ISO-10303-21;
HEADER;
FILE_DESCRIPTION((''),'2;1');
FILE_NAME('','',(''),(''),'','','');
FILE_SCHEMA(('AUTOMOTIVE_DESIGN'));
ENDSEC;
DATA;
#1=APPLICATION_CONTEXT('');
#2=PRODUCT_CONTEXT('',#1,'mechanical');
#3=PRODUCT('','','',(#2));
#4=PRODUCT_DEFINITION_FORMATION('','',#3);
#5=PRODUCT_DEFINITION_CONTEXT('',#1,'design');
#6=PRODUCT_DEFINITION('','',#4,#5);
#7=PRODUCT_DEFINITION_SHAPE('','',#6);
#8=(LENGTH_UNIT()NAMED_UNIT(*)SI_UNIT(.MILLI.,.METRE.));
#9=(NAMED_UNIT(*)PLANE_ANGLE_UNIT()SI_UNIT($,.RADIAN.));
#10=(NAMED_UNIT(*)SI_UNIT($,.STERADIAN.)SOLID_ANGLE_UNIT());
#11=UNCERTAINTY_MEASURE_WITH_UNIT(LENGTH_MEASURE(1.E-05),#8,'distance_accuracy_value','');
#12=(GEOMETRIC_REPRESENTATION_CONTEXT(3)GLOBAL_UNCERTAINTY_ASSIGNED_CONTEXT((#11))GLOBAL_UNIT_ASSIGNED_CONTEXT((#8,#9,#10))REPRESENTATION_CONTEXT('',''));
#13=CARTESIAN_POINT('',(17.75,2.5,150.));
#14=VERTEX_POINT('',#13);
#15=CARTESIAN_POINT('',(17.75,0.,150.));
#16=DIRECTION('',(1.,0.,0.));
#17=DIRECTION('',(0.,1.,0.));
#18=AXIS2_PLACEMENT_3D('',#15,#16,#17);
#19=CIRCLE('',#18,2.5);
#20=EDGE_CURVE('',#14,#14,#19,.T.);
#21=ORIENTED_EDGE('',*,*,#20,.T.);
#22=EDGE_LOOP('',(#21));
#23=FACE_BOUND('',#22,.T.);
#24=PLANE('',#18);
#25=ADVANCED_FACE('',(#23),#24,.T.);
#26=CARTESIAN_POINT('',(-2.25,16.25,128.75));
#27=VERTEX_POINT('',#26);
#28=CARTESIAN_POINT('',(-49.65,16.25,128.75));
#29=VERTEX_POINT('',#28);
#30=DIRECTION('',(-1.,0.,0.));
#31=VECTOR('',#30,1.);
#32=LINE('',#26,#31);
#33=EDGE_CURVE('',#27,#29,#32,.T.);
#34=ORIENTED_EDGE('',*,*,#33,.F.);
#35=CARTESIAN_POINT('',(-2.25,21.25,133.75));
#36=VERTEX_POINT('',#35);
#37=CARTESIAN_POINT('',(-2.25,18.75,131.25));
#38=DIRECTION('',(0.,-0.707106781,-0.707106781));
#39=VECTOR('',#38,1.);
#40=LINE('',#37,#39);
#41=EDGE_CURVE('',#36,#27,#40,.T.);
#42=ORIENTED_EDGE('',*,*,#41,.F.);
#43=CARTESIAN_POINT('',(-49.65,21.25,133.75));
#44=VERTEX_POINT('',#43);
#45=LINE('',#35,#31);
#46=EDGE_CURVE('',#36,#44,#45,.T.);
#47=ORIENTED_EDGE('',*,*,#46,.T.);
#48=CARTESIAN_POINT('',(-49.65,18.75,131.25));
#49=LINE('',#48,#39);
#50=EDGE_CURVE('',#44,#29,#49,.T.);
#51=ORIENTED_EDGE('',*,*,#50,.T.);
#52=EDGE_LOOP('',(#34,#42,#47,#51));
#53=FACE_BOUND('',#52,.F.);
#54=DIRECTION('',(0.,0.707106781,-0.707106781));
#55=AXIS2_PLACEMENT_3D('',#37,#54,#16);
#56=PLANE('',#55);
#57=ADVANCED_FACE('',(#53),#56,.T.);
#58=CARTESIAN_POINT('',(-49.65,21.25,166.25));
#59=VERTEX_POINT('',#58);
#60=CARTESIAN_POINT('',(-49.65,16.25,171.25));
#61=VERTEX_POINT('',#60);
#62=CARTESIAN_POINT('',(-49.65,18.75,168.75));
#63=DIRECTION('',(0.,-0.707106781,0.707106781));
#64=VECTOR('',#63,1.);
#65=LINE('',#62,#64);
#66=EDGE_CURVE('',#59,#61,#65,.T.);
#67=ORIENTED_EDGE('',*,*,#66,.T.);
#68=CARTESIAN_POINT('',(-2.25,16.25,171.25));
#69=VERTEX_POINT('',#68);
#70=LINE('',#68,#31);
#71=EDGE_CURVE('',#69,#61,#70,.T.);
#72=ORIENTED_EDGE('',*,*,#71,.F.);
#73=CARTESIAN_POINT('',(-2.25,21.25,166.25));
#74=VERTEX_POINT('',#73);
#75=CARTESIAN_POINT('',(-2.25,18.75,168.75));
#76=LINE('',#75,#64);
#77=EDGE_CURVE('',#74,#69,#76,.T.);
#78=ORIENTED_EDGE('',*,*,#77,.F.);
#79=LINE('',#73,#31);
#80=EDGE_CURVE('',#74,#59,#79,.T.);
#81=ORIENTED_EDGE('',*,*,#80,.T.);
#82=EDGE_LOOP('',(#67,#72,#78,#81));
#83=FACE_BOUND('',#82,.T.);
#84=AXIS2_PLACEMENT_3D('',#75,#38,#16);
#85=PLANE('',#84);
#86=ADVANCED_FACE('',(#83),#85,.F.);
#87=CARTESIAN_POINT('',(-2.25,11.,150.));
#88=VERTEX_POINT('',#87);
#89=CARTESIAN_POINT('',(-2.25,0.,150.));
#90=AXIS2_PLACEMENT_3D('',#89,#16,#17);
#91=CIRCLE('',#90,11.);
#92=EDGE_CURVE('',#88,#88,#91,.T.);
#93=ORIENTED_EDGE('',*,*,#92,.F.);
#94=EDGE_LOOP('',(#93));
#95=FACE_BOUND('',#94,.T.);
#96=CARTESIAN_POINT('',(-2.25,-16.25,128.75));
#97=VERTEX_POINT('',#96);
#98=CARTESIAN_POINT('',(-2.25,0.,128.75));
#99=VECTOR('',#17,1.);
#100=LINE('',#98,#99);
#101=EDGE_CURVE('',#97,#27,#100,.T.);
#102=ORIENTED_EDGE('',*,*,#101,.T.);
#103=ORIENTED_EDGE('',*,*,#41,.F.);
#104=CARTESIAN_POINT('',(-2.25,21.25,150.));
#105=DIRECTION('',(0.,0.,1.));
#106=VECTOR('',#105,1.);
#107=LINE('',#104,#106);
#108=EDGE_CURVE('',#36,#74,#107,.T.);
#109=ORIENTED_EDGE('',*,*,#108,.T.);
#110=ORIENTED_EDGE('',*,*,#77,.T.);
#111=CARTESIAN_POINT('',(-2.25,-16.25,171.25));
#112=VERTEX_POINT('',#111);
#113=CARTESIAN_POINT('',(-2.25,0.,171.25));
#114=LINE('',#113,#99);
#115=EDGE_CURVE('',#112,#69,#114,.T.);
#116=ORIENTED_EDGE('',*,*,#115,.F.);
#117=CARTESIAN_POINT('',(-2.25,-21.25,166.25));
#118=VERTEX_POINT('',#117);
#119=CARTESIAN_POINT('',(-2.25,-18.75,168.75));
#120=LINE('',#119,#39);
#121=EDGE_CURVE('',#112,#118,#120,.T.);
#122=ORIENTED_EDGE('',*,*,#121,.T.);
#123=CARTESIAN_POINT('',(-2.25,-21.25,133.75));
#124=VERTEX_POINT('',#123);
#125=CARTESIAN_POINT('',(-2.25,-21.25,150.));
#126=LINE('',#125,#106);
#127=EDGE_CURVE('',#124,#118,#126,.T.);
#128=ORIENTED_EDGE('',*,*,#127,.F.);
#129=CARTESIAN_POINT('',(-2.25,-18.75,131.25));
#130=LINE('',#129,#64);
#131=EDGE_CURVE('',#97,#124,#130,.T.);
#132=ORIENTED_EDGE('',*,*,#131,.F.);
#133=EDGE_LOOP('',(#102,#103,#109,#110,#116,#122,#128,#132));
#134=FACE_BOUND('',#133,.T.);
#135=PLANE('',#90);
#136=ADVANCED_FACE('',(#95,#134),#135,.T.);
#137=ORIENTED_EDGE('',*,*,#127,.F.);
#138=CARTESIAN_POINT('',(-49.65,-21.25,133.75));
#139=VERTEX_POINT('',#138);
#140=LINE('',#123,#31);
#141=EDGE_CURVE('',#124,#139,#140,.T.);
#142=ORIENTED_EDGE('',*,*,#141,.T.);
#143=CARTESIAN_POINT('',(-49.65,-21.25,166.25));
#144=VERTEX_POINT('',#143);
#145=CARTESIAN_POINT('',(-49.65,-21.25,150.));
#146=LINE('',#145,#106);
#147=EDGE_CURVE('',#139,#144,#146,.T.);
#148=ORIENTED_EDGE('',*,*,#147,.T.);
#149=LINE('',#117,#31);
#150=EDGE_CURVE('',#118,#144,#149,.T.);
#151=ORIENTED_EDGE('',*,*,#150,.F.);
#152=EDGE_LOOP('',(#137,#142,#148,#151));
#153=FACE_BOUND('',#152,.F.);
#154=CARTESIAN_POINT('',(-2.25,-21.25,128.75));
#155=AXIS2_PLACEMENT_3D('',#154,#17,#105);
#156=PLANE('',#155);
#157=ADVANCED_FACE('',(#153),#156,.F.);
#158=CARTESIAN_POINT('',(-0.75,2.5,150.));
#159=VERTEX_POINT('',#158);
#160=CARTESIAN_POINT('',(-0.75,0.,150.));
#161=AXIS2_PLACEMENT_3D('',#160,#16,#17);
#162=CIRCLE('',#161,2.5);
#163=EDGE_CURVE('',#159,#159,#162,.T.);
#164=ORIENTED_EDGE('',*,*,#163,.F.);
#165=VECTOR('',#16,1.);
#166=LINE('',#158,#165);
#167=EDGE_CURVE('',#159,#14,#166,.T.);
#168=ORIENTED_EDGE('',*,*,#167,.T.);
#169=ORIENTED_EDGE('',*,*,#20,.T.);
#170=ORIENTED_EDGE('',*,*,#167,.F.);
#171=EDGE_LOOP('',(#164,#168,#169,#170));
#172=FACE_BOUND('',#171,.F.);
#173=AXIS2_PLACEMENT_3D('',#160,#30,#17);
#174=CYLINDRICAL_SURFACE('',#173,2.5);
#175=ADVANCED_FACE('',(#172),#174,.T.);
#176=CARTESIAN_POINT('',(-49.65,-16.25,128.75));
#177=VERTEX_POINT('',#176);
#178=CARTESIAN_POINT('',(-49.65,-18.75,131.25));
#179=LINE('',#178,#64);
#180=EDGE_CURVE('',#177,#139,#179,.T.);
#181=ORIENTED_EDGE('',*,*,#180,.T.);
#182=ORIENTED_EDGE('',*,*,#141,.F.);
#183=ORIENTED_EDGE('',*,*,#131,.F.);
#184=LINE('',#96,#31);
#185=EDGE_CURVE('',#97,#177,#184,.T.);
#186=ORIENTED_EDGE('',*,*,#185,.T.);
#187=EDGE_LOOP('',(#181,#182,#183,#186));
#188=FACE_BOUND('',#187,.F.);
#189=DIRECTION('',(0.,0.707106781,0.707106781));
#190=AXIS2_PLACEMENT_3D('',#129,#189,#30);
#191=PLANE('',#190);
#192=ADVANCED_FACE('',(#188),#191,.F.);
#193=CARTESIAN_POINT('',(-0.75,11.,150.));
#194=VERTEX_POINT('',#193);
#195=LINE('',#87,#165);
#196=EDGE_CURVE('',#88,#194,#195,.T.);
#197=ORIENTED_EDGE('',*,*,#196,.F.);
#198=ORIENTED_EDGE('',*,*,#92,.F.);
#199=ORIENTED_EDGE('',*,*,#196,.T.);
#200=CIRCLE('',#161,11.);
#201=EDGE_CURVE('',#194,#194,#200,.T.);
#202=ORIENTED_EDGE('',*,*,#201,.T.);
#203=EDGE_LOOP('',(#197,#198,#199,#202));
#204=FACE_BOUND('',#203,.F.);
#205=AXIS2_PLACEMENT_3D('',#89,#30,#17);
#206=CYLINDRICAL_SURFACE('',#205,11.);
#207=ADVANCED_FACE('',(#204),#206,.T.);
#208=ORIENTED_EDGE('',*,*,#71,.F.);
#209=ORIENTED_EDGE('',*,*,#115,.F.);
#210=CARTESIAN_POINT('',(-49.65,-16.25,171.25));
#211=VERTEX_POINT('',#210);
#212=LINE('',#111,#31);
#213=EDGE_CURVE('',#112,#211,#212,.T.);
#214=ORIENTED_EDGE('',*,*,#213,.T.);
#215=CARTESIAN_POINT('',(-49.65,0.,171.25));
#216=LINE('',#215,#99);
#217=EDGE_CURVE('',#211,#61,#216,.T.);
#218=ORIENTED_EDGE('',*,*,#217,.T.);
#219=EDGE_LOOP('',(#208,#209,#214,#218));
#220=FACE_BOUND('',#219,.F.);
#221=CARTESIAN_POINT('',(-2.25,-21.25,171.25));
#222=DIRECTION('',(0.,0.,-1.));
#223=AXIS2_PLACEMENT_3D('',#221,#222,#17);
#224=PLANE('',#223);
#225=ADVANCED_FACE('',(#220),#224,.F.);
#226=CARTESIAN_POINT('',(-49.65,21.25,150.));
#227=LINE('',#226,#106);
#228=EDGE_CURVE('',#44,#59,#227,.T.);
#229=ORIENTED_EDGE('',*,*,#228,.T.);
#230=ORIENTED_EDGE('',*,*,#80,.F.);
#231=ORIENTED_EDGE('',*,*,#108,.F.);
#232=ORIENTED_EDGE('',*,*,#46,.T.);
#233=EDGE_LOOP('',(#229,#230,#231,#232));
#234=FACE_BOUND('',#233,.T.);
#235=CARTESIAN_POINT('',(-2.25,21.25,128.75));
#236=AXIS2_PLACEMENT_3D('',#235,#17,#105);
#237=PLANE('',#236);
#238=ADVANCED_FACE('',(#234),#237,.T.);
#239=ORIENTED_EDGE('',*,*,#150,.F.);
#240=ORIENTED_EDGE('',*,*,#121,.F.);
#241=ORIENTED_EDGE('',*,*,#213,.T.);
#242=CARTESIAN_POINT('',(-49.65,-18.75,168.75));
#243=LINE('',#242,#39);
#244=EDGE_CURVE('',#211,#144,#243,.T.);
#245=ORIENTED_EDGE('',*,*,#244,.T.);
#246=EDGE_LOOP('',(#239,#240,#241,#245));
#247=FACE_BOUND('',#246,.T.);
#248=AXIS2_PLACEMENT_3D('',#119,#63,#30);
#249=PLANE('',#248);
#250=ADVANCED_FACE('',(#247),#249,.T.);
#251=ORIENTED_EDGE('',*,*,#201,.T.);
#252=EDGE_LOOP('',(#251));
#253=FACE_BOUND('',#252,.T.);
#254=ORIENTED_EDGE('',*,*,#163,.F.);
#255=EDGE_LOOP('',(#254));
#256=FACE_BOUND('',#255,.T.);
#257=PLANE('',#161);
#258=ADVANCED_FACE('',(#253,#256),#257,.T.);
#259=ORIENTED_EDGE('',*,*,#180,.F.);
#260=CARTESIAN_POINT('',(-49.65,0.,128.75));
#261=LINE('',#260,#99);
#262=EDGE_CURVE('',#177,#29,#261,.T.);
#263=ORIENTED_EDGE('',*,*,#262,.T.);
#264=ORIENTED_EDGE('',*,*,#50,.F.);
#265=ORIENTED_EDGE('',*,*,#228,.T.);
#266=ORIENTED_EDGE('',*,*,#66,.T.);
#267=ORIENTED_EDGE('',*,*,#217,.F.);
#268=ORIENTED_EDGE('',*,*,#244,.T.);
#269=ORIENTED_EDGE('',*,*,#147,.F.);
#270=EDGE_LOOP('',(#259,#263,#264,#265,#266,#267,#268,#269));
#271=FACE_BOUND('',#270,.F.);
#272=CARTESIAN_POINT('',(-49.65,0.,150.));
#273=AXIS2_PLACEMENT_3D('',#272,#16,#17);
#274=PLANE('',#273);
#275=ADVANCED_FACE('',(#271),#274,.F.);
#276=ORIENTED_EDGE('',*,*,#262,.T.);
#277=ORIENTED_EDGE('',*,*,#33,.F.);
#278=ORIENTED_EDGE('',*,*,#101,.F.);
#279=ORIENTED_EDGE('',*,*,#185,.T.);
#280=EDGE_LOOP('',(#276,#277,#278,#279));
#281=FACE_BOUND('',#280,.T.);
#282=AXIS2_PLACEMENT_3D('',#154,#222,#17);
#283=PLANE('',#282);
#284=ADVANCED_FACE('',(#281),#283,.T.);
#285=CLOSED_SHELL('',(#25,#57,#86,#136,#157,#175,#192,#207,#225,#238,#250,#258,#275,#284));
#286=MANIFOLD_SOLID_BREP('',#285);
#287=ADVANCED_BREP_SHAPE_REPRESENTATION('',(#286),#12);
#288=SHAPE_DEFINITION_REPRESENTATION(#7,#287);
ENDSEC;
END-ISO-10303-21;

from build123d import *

# Parameters (mm, degrees)
SKETCH060_W             = 42.5
SKETCH060_H             = 42.5
PAD025_DEPTH            = 47.4
CHAMFER019_SIZE         = 5
CHAMFER017_SIZE         = 5
CHAMFER016_SIZE         = 5
CHAMFER018_SIZE         = 5
SKETCH061_R             = 11
PAD022_DEPTH            = 1.5
SKETCH059_R             = 2.5
PAD024_DEPTH            = 18.5
BODY014_PLACEMENT_ANGLE = 90


with BuildPart() as part:
    # Sketch060 → Pad025 (new body)
    with BuildSketch(Plane.XZ):
        Rectangle(SKETCH060_W, SKETCH060_H)
    extrude(amount=-PAD025_DEPTH)

    # Chamfer019
    chamfer019_edges = [part.edges().sort_by_distance(p)[0] for p in [
        (21.25, 23.7, 21.25),
    ]]
    chamfer(chamfer019_edges, length=CHAMFER019_SIZE)

    # Chamfer017
    chamfer017_edges = [part.edges().sort_by_distance(p)[0] for p in [
        (-21.25, 23.7, 21.25),
    ]]
    chamfer(chamfer017_edges, length=CHAMFER017_SIZE)

    # Chamfer016
    chamfer016_edges = [part.edges().sort_by_distance(p)[0] for p in [
        (21.25, 23.7, -21.25),
    ]]
    chamfer(chamfer016_edges, length=CHAMFER016_SIZE)

    # Chamfer018
    chamfer018_edges = [part.edges().sort_by_distance(p)[0] for p in [
        (-21.25, 23.7, -21.25),
    ]]
    chamfer(chamfer018_edges, length=CHAMFER018_SIZE)

    # Sketch061 (on Face1 of Chamfer018) → Pad022 (join)
    with BuildSketch(Plane.XZ):
        Circle(SKETCH061_R)
    extrude(amount=PAD022_DEPTH)

    # Sketch059 (on Face12 of Pad022) → Pad024 (join)
    with BuildSketch(Plane.XZ.offset(1.5)):
        Circle(SKETCH059_R)
    extrude(amount=PAD024_DEPTH)


with BuildPart() as part_1:
    # Body014 placement: moved
    add(part.part.moved(Location((-2.25, 0, 150))).rotate(Axis((-2.25, 0, 150), (0, 0, 1)), BODY014_PLACEMENT_ANGLE))


solid = part_1.part
